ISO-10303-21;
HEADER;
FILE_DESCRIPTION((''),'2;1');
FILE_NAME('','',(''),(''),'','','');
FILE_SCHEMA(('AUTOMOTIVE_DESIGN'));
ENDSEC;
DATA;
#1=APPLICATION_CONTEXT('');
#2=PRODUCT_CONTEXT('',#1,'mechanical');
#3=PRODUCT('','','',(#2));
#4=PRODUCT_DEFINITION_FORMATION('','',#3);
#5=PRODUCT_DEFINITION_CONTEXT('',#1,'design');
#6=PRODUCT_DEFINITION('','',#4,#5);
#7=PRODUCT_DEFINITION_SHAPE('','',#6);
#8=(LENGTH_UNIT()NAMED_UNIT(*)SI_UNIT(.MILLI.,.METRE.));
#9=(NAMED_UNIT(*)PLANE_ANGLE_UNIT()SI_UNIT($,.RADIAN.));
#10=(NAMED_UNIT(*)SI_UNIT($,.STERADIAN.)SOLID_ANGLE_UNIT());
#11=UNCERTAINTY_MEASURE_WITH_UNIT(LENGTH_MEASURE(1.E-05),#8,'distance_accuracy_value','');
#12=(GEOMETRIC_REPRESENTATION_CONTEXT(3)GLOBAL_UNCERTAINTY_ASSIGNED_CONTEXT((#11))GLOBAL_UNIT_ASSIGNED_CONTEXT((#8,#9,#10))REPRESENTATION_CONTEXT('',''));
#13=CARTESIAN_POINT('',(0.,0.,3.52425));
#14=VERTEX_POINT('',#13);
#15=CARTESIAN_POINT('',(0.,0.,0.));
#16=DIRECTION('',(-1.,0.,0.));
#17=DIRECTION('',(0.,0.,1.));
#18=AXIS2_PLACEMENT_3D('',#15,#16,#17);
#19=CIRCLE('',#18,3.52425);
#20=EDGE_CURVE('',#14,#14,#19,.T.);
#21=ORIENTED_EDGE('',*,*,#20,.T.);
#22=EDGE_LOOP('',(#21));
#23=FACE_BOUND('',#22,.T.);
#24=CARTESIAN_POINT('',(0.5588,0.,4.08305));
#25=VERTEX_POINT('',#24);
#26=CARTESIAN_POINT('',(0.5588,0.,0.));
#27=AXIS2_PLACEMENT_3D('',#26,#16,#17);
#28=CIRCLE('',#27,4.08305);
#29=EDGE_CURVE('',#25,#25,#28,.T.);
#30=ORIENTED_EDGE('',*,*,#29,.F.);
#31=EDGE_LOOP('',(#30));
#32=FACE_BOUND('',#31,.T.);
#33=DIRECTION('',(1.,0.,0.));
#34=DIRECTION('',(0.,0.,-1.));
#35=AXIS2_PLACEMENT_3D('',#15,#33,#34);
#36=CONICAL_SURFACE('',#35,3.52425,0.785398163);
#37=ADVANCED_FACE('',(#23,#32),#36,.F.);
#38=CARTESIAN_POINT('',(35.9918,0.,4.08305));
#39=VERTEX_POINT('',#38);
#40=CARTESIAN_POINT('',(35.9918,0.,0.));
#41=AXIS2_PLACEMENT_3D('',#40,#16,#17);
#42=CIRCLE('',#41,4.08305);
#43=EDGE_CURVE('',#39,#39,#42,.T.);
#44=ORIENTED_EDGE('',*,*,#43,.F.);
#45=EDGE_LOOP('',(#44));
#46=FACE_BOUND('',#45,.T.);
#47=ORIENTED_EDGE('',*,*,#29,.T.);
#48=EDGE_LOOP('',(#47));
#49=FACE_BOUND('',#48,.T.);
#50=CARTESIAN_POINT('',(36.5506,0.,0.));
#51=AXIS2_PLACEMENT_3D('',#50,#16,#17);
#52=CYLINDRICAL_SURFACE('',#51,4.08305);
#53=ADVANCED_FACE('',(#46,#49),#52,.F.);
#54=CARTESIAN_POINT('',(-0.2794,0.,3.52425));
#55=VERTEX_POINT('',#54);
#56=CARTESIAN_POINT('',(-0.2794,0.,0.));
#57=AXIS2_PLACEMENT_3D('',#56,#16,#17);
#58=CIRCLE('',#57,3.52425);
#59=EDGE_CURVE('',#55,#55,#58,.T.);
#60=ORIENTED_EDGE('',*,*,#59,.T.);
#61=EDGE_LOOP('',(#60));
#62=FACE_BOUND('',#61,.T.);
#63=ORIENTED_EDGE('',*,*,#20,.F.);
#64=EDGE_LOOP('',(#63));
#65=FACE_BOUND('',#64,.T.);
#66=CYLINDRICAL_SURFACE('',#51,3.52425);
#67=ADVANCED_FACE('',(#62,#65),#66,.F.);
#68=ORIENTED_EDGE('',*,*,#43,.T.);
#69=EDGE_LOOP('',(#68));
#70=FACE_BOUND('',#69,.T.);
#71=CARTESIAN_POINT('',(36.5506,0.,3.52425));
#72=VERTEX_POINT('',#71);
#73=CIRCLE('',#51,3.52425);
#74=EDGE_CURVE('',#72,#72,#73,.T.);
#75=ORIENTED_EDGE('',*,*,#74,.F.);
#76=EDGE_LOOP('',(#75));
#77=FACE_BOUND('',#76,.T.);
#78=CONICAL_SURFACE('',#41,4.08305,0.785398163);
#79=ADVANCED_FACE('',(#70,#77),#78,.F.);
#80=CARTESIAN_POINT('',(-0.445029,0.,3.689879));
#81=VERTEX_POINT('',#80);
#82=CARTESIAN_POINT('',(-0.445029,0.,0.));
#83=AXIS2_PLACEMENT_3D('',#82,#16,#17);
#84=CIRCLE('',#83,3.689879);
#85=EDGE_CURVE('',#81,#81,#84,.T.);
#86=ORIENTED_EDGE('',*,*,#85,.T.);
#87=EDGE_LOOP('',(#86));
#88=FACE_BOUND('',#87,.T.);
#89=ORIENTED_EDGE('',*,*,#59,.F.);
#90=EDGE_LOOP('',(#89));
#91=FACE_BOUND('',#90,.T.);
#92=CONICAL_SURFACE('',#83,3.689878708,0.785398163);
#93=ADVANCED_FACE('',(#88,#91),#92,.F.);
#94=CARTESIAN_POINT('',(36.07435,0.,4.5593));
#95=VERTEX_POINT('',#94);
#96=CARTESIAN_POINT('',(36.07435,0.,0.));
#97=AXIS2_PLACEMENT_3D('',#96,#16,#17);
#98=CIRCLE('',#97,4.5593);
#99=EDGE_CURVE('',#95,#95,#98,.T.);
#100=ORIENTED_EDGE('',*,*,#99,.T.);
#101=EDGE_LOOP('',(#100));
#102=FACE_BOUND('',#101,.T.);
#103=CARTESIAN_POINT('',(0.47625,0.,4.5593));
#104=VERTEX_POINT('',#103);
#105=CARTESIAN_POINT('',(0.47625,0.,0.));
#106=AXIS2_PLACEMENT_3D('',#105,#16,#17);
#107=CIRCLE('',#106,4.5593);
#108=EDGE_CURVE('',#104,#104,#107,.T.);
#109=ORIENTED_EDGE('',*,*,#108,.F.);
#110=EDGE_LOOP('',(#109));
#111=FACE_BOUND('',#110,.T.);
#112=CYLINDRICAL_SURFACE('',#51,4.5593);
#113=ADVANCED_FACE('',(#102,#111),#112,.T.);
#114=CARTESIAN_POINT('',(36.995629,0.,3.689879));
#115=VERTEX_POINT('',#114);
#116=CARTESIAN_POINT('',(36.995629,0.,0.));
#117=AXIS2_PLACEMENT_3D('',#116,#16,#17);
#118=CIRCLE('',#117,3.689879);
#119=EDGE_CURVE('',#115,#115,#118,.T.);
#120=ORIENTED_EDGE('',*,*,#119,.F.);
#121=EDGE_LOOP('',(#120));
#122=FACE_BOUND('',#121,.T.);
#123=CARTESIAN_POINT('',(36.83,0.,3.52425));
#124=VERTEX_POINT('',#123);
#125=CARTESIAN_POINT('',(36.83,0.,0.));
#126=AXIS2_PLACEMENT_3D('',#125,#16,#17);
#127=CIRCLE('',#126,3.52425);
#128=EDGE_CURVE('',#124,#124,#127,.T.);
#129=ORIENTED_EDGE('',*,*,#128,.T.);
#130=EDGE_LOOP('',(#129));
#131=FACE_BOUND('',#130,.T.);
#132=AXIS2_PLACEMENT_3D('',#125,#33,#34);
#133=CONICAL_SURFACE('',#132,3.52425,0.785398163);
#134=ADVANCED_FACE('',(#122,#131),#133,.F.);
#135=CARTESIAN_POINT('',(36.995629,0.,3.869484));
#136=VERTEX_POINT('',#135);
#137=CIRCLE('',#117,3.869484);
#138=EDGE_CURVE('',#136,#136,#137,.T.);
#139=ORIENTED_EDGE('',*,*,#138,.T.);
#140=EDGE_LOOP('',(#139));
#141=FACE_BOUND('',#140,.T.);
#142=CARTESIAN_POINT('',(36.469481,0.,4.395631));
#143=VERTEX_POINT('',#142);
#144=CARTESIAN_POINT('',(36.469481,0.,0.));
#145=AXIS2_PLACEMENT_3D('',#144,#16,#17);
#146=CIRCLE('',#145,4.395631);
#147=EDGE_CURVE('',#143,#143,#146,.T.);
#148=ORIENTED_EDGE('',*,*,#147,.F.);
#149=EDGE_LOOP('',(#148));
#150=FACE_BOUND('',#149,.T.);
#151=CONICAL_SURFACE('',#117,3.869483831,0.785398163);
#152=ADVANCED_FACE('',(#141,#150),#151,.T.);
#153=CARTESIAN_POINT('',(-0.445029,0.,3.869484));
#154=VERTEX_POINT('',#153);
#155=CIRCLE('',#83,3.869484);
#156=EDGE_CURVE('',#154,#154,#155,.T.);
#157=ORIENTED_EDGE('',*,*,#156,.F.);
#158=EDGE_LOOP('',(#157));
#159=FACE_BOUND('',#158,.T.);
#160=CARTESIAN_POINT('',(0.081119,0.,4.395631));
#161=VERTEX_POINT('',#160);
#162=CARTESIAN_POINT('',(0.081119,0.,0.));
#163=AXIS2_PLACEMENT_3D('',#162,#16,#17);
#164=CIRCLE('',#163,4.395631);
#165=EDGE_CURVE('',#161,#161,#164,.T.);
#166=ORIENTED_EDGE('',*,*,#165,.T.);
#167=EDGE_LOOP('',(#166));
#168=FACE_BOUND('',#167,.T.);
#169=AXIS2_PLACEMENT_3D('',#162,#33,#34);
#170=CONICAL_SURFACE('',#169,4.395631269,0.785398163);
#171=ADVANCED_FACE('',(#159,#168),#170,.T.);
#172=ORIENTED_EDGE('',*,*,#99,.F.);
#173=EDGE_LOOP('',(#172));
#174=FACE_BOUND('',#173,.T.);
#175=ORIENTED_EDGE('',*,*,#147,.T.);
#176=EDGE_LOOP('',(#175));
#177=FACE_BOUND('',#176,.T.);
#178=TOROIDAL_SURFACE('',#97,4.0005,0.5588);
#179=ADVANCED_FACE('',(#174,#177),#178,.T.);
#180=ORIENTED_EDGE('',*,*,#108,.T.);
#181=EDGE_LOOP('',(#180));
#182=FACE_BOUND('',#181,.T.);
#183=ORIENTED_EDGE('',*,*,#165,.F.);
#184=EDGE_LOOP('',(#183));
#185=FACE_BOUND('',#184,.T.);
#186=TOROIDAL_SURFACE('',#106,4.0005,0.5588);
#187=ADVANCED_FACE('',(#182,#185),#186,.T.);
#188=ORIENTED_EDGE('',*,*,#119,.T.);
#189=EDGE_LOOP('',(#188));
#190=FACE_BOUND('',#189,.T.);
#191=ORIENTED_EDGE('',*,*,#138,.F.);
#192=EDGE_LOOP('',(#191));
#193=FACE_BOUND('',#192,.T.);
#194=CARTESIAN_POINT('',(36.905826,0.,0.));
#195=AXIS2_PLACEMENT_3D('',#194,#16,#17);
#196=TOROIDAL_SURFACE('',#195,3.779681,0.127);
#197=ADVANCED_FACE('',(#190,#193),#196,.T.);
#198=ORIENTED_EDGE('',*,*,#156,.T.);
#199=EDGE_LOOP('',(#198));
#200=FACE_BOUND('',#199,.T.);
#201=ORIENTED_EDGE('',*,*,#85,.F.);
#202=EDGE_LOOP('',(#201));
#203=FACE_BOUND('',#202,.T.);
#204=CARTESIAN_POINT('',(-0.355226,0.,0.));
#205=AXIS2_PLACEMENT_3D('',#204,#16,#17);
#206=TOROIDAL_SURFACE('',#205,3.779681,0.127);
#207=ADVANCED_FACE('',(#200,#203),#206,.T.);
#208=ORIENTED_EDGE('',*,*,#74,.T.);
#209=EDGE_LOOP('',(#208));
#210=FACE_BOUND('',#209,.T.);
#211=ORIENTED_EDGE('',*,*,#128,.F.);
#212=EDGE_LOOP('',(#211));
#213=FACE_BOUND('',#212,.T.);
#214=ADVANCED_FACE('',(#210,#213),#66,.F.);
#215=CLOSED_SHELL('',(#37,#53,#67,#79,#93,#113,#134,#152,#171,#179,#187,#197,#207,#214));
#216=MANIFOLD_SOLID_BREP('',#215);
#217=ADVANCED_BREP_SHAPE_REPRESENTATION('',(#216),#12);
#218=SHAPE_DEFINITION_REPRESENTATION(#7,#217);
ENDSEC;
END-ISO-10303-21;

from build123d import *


with BuildPart() as part:
    # Sketch1 → Revolve1 (revolve)
    with BuildSketch(Plane.XY):
        with BuildLine():
            Line((-0.445028708, 3.689878708), (-0.2794, 3.52425))
            Line((-0.2794, 3.52425), (0, 3.52425))
            Line((0, 3.52425), (0.5588, 4.08305))
            Line((0.5588, 4.08305), (35.9918, 4.08305))
            Line((35.9918, 4.08305), (36.5506, 3.52425))
            Line((36.5506, 3.52425), (36.83, 3.52425))
            Line((36.83, 3.52425), (36.995628708, 3.689878708))
            ThreePointArc((36.995628708, 3.689878708), (37.032826147, 3.779681269), (36.995628708, 3.869483831))
            Line((36.995628708, 3.869483831), (36.469481269, 4.395631269))
            ThreePointArc((36.469481269, 4.395631269), (36.288193502, 4.516763883), (36.07435, 4.5593))
            Line((36.07435, 4.5593), (0.47625, 4.5593))
            ThreePointArc((0.47625, 4.5593), (0.262406498, 4.516763883), (0.081118731, 4.395631269))
            Line((0.081118731, 4.395631269), (-0.445028708, 3.869483831))
            ThreePointArc((-0.445028708, 3.869483831), (-0.482226147, 3.779681269), (-0.445028708, 3.689878708))
        make_face()
    revolve(axis=Axis((36.5506, 0, 0), (-1, 0, 0)))


solid = part.part
